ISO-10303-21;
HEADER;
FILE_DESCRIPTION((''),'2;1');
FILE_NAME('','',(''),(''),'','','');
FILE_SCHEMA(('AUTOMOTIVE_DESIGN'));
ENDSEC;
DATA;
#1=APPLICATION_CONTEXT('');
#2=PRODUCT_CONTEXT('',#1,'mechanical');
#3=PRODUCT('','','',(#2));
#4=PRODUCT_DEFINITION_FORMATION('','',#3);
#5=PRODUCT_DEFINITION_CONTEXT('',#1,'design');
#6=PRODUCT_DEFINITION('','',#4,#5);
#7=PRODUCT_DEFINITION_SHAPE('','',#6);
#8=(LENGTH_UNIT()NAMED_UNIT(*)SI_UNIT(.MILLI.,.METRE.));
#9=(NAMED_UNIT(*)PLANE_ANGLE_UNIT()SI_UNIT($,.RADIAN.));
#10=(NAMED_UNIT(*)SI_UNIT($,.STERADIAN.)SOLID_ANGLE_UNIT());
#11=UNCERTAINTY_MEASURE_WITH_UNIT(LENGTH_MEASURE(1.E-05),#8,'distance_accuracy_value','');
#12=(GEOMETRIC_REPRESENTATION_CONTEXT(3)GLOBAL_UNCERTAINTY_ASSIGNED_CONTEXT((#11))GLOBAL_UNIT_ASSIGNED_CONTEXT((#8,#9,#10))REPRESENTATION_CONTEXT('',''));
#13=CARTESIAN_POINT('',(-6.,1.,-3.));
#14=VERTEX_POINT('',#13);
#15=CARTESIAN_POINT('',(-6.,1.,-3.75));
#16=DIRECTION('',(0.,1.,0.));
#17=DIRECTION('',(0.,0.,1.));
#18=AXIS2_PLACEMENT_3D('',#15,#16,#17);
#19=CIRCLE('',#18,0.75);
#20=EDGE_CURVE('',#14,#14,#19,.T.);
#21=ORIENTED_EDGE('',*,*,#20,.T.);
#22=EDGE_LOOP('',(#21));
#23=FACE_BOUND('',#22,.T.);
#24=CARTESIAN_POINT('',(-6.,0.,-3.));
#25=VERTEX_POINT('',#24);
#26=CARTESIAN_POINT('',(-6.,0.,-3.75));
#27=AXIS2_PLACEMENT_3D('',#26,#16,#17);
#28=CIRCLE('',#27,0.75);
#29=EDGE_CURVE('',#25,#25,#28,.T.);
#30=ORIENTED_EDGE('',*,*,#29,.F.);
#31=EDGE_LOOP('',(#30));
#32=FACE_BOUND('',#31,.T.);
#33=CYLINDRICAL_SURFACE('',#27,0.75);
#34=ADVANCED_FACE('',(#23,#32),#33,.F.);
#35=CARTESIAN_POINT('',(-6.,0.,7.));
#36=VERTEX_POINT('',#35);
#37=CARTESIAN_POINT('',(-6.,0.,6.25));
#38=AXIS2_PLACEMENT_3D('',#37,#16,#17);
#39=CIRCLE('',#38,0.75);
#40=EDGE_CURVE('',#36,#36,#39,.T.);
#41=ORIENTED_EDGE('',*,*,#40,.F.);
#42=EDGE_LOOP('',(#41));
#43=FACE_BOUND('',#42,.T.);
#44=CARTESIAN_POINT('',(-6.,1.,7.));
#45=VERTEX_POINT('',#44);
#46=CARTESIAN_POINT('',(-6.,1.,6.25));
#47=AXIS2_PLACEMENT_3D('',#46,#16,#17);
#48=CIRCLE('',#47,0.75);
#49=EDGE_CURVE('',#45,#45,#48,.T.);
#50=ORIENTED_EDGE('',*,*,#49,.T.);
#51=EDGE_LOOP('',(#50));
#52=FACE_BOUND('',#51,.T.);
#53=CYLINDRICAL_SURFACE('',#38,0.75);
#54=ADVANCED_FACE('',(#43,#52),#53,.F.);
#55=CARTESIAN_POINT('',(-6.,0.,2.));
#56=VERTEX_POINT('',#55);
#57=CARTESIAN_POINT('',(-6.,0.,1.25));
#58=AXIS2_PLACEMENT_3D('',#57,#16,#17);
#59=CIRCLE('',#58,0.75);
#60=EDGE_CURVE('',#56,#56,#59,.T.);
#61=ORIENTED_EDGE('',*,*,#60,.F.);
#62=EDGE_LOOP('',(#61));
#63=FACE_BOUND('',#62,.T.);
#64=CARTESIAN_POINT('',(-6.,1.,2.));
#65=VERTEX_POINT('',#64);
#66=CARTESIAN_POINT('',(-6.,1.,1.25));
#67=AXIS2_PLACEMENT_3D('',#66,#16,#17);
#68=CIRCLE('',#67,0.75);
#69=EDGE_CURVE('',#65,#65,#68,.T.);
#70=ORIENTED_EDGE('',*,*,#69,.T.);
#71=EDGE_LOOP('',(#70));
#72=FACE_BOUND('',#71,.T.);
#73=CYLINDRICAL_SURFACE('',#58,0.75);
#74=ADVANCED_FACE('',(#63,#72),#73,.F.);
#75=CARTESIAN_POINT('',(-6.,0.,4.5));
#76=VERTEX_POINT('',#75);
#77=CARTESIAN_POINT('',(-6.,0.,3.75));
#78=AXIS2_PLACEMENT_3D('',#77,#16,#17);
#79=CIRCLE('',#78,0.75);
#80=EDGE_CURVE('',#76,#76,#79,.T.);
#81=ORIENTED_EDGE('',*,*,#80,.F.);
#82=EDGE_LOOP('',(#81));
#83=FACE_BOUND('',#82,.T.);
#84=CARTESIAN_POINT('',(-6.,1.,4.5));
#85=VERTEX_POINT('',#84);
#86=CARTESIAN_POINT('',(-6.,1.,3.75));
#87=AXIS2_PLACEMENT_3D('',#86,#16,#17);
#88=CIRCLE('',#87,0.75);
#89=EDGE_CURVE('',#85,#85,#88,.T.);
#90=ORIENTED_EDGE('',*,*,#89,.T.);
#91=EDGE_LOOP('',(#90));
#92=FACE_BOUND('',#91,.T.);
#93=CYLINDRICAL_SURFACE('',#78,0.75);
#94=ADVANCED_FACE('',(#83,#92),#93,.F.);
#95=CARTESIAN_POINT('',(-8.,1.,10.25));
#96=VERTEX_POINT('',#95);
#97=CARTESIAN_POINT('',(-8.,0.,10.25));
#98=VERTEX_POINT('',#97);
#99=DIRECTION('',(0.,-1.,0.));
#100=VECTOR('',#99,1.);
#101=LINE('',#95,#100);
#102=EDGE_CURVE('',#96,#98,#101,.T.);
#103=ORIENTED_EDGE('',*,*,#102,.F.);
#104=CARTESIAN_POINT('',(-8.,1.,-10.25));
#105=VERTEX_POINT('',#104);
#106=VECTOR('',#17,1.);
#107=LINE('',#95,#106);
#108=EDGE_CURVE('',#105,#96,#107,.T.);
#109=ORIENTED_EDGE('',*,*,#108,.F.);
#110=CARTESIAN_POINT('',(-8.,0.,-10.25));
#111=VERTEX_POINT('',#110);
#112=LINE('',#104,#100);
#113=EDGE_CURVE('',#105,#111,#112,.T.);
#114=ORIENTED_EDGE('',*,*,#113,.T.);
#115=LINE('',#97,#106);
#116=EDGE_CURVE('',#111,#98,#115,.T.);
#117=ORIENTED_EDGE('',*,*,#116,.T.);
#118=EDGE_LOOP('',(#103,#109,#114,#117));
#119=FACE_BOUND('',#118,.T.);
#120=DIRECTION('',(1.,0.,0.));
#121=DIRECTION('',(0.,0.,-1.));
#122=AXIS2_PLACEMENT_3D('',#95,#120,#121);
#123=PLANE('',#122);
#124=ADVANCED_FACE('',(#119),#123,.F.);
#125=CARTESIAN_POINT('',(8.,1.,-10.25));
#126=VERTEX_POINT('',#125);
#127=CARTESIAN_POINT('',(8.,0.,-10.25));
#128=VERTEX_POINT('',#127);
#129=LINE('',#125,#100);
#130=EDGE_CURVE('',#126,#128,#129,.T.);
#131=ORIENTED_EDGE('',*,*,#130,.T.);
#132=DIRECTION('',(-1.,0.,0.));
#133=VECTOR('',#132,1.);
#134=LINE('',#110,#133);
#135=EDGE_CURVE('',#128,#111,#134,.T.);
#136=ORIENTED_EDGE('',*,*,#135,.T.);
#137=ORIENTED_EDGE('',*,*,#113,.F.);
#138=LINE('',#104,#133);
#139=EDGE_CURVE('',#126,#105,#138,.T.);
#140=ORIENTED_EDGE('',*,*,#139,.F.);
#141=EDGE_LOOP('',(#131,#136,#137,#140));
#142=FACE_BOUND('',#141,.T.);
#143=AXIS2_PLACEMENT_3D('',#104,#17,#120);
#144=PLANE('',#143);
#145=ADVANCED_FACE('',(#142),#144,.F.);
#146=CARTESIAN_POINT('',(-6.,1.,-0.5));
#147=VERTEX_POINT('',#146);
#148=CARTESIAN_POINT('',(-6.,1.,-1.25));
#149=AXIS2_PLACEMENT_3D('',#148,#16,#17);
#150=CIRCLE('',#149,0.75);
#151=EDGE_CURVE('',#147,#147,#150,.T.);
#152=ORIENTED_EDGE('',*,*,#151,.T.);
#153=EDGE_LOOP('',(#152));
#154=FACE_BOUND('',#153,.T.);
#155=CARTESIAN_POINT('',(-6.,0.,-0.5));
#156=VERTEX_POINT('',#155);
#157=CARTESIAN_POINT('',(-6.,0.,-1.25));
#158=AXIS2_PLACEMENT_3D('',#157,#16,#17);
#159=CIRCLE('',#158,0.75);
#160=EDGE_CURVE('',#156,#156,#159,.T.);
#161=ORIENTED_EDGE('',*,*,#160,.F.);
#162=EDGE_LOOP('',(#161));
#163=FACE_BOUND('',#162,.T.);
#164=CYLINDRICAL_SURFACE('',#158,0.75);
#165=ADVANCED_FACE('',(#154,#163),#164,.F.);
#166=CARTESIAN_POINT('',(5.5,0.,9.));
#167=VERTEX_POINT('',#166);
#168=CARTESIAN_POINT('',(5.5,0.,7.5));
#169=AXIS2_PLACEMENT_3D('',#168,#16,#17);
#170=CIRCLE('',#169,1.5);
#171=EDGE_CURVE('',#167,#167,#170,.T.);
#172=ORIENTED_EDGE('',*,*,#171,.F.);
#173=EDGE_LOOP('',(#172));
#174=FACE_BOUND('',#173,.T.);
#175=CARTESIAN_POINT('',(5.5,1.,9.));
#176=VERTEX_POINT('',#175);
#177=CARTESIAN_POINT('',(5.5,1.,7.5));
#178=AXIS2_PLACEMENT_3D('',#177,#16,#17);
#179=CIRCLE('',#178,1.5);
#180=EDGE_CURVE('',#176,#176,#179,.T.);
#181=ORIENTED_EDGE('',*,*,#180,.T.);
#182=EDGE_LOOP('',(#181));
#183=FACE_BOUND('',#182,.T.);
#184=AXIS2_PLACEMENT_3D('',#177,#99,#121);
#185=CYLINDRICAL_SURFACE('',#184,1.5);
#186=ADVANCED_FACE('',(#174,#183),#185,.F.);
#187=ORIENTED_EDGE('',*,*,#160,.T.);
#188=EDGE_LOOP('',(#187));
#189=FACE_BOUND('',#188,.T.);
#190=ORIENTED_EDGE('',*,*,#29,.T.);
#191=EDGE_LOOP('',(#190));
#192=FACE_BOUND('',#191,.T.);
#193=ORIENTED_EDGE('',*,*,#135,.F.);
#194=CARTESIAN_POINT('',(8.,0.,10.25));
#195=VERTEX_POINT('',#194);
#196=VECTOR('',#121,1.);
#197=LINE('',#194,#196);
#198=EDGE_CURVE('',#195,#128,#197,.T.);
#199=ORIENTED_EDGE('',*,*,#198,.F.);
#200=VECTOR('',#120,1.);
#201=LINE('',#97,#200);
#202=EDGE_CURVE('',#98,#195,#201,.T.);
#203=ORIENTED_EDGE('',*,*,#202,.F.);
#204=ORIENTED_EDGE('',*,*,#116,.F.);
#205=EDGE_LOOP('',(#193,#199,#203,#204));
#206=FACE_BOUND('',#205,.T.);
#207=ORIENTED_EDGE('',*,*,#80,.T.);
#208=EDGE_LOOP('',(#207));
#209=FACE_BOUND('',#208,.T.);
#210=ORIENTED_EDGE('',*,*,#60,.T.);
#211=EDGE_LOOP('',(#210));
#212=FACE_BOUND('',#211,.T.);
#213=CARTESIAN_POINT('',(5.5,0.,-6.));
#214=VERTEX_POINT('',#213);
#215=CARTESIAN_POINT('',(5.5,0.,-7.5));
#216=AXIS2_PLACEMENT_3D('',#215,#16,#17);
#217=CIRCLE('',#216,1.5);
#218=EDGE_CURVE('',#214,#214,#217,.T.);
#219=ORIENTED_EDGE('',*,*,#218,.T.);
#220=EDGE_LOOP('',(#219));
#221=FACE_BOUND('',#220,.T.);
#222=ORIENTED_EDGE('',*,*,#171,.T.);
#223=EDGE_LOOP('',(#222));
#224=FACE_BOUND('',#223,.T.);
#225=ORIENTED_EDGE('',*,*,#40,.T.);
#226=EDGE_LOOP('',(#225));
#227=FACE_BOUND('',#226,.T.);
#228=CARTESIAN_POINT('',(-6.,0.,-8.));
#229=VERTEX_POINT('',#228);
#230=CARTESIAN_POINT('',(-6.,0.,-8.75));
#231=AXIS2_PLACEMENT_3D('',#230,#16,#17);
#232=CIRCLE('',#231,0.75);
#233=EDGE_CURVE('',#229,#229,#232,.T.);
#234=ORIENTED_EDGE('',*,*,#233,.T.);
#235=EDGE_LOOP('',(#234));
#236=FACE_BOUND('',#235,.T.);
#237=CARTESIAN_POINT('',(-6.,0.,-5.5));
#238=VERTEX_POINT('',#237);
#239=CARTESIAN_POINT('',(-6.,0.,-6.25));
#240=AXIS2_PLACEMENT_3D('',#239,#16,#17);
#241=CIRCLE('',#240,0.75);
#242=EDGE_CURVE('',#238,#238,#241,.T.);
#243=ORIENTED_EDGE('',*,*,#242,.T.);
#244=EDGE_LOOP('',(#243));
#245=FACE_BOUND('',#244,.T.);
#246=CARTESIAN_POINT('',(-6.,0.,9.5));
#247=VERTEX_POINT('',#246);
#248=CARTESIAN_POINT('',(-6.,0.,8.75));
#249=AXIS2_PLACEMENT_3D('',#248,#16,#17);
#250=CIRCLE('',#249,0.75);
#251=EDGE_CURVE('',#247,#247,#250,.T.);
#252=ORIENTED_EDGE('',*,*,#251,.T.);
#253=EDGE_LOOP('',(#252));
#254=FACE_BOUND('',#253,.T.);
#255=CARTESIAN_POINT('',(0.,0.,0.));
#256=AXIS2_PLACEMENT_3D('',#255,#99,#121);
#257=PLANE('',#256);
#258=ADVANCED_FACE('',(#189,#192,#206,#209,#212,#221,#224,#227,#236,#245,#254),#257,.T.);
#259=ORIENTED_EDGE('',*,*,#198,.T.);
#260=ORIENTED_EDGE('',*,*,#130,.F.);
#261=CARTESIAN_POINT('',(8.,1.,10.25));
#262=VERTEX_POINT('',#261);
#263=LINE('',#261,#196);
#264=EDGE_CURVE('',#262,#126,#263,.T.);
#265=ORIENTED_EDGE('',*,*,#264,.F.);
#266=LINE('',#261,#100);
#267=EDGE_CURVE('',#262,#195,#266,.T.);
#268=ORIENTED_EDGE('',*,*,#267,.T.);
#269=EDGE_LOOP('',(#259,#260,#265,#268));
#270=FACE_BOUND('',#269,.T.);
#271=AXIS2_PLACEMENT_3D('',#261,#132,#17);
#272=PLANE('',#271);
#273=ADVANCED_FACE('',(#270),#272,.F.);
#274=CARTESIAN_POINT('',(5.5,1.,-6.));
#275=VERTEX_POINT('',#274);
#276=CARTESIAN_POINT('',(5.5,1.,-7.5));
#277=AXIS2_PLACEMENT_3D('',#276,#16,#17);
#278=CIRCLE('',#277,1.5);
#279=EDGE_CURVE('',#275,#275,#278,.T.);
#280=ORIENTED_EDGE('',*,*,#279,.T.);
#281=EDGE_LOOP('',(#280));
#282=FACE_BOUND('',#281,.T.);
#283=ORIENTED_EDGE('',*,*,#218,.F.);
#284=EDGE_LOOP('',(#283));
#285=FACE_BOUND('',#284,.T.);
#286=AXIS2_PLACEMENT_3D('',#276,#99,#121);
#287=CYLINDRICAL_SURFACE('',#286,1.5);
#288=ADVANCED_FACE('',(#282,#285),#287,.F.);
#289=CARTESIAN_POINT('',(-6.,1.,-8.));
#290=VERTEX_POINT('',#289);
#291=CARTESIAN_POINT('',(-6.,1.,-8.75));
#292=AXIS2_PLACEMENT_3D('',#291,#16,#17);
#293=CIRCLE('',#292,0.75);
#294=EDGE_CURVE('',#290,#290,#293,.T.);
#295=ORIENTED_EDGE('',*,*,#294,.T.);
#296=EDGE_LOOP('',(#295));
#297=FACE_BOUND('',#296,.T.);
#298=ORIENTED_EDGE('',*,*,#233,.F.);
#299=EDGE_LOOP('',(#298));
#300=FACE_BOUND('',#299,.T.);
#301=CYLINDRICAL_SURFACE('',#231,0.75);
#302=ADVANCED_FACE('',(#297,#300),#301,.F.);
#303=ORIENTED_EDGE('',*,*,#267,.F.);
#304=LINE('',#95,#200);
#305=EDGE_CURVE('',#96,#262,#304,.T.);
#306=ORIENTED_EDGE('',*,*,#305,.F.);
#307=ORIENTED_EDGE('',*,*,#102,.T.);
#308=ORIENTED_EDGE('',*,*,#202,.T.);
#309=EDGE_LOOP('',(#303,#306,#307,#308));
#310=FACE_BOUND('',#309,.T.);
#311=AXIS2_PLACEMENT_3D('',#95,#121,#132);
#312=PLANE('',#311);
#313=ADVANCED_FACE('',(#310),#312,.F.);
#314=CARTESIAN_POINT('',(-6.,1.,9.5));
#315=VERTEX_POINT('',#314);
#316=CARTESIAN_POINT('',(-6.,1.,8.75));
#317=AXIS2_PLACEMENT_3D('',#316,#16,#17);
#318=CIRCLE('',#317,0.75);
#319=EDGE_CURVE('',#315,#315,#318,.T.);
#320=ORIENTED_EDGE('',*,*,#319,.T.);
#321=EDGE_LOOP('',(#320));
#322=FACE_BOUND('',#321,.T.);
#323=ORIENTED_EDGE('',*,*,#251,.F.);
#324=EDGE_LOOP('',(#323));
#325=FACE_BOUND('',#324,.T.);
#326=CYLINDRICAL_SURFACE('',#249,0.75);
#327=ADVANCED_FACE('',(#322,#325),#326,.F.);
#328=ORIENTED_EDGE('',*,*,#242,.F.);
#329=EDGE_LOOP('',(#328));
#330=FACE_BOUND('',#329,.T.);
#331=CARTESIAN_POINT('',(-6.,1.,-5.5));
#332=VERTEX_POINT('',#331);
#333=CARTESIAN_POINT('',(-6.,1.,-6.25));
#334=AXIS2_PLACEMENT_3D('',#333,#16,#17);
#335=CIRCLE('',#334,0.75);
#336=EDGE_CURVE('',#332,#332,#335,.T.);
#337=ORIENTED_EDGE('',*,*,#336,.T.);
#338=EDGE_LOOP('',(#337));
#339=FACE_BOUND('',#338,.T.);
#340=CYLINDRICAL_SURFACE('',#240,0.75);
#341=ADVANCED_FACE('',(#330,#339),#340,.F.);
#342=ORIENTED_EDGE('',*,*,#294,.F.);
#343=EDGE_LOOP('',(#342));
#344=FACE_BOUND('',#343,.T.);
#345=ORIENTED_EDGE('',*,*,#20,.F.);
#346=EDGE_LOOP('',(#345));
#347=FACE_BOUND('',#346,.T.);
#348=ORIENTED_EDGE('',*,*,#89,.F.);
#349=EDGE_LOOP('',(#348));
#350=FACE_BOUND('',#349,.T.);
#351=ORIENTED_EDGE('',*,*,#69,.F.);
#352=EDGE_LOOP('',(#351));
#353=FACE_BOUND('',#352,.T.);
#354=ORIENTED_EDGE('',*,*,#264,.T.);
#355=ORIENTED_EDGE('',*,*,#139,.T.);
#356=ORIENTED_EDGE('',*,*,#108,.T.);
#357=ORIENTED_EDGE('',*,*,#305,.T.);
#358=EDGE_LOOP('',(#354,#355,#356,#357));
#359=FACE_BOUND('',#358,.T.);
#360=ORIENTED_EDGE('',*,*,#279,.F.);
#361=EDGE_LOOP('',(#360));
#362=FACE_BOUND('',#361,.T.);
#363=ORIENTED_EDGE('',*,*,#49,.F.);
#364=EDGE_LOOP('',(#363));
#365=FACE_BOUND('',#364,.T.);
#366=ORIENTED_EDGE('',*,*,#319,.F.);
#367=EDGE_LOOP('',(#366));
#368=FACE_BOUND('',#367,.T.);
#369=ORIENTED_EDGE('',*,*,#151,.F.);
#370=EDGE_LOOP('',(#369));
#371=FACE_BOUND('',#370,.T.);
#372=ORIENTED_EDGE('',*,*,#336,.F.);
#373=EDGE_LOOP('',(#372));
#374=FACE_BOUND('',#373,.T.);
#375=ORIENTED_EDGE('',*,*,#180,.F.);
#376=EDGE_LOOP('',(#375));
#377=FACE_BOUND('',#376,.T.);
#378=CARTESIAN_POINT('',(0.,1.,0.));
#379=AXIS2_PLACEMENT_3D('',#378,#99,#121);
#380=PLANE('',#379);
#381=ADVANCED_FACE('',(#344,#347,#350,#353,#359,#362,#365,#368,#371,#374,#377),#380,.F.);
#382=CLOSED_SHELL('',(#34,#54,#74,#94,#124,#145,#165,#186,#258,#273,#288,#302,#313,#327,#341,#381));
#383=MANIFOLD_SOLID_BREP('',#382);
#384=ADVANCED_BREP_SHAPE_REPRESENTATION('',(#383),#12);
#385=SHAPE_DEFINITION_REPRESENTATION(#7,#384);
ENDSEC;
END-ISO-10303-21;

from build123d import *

# Parameters (mm, degrees)
SKETCH1_W           = 16
SKETCH1_H           = 20.5
SKETCH1_R           = 1.5
BOSS_EXTRUDE1_DEPTH = 1
SKETCH2_R           = 0.75
CUT_EXTRUDE2_DEPTH  = 14.040801356


with BuildPart() as part:
    # Sketch1 → Boss-Extrude1 (new body)
    with BuildSketch(Plane(origin=(0, 0, 0), x_dir=(1, 0, 0), z_dir=(0, 1, 0))):
        Rectangle(SKETCH1_W, SKETCH1_H)
        with Locations(Location((5.5, 7.5, 0), (0, 0, 270))):
            Circle(SKETCH1_R, mode=Mode.SUBTRACT)
        with Locations(Location((5.5, -7.5, 0), (0, 0, 270))):
            Circle(SKETCH1_R, mode=Mode.SUBTRACT)
    extrude(amount=BOSS_EXTRUDE1_DEPTH)

    # Sketch2 → Cut-Extrude2 (cut, through all)
    with BuildSketch(Plane(origin=(0, 1, 0), x_dir=(1, 0, 0), z_dir=(0, 1, 0))):
        with Locations(Location((-6, 8.75, 0), (0, 0, 270))):
            Circle(SKETCH2_R)
        with Locations(Location((-6, 6.25, 0), (0, 0, 270))):
            Circle(SKETCH2_R)
        with Locations(Location((-6, 3.75, 0), (0, 0, 270))):
            Circle(SKETCH2_R)
        with Locations(Location((-6, 1.25, 0), (0, 0, 270))):
            Circle(SKETCH2_R)
        with Locations(Location((-6, -1.25, 0), (0, 0, 270))):
            Circle(SKETCH2_R)
        with Locations(Location((-6, -3.75, 0), (0, 0, 270))):
            Circle(SKETCH2_R)
        with Locations(Location((-6, -6.25, 0), (0, 0, 270))):
            Circle(SKETCH2_R)
        with Locations(Location((-6, -8.75, 0), (0, 0, 270))):
            Circle(SKETCH2_R)
    extrude(amount=-CUT_EXTRUDE2_DEPTH, mode=Mode.SUBTRACT)


solid = part.part
